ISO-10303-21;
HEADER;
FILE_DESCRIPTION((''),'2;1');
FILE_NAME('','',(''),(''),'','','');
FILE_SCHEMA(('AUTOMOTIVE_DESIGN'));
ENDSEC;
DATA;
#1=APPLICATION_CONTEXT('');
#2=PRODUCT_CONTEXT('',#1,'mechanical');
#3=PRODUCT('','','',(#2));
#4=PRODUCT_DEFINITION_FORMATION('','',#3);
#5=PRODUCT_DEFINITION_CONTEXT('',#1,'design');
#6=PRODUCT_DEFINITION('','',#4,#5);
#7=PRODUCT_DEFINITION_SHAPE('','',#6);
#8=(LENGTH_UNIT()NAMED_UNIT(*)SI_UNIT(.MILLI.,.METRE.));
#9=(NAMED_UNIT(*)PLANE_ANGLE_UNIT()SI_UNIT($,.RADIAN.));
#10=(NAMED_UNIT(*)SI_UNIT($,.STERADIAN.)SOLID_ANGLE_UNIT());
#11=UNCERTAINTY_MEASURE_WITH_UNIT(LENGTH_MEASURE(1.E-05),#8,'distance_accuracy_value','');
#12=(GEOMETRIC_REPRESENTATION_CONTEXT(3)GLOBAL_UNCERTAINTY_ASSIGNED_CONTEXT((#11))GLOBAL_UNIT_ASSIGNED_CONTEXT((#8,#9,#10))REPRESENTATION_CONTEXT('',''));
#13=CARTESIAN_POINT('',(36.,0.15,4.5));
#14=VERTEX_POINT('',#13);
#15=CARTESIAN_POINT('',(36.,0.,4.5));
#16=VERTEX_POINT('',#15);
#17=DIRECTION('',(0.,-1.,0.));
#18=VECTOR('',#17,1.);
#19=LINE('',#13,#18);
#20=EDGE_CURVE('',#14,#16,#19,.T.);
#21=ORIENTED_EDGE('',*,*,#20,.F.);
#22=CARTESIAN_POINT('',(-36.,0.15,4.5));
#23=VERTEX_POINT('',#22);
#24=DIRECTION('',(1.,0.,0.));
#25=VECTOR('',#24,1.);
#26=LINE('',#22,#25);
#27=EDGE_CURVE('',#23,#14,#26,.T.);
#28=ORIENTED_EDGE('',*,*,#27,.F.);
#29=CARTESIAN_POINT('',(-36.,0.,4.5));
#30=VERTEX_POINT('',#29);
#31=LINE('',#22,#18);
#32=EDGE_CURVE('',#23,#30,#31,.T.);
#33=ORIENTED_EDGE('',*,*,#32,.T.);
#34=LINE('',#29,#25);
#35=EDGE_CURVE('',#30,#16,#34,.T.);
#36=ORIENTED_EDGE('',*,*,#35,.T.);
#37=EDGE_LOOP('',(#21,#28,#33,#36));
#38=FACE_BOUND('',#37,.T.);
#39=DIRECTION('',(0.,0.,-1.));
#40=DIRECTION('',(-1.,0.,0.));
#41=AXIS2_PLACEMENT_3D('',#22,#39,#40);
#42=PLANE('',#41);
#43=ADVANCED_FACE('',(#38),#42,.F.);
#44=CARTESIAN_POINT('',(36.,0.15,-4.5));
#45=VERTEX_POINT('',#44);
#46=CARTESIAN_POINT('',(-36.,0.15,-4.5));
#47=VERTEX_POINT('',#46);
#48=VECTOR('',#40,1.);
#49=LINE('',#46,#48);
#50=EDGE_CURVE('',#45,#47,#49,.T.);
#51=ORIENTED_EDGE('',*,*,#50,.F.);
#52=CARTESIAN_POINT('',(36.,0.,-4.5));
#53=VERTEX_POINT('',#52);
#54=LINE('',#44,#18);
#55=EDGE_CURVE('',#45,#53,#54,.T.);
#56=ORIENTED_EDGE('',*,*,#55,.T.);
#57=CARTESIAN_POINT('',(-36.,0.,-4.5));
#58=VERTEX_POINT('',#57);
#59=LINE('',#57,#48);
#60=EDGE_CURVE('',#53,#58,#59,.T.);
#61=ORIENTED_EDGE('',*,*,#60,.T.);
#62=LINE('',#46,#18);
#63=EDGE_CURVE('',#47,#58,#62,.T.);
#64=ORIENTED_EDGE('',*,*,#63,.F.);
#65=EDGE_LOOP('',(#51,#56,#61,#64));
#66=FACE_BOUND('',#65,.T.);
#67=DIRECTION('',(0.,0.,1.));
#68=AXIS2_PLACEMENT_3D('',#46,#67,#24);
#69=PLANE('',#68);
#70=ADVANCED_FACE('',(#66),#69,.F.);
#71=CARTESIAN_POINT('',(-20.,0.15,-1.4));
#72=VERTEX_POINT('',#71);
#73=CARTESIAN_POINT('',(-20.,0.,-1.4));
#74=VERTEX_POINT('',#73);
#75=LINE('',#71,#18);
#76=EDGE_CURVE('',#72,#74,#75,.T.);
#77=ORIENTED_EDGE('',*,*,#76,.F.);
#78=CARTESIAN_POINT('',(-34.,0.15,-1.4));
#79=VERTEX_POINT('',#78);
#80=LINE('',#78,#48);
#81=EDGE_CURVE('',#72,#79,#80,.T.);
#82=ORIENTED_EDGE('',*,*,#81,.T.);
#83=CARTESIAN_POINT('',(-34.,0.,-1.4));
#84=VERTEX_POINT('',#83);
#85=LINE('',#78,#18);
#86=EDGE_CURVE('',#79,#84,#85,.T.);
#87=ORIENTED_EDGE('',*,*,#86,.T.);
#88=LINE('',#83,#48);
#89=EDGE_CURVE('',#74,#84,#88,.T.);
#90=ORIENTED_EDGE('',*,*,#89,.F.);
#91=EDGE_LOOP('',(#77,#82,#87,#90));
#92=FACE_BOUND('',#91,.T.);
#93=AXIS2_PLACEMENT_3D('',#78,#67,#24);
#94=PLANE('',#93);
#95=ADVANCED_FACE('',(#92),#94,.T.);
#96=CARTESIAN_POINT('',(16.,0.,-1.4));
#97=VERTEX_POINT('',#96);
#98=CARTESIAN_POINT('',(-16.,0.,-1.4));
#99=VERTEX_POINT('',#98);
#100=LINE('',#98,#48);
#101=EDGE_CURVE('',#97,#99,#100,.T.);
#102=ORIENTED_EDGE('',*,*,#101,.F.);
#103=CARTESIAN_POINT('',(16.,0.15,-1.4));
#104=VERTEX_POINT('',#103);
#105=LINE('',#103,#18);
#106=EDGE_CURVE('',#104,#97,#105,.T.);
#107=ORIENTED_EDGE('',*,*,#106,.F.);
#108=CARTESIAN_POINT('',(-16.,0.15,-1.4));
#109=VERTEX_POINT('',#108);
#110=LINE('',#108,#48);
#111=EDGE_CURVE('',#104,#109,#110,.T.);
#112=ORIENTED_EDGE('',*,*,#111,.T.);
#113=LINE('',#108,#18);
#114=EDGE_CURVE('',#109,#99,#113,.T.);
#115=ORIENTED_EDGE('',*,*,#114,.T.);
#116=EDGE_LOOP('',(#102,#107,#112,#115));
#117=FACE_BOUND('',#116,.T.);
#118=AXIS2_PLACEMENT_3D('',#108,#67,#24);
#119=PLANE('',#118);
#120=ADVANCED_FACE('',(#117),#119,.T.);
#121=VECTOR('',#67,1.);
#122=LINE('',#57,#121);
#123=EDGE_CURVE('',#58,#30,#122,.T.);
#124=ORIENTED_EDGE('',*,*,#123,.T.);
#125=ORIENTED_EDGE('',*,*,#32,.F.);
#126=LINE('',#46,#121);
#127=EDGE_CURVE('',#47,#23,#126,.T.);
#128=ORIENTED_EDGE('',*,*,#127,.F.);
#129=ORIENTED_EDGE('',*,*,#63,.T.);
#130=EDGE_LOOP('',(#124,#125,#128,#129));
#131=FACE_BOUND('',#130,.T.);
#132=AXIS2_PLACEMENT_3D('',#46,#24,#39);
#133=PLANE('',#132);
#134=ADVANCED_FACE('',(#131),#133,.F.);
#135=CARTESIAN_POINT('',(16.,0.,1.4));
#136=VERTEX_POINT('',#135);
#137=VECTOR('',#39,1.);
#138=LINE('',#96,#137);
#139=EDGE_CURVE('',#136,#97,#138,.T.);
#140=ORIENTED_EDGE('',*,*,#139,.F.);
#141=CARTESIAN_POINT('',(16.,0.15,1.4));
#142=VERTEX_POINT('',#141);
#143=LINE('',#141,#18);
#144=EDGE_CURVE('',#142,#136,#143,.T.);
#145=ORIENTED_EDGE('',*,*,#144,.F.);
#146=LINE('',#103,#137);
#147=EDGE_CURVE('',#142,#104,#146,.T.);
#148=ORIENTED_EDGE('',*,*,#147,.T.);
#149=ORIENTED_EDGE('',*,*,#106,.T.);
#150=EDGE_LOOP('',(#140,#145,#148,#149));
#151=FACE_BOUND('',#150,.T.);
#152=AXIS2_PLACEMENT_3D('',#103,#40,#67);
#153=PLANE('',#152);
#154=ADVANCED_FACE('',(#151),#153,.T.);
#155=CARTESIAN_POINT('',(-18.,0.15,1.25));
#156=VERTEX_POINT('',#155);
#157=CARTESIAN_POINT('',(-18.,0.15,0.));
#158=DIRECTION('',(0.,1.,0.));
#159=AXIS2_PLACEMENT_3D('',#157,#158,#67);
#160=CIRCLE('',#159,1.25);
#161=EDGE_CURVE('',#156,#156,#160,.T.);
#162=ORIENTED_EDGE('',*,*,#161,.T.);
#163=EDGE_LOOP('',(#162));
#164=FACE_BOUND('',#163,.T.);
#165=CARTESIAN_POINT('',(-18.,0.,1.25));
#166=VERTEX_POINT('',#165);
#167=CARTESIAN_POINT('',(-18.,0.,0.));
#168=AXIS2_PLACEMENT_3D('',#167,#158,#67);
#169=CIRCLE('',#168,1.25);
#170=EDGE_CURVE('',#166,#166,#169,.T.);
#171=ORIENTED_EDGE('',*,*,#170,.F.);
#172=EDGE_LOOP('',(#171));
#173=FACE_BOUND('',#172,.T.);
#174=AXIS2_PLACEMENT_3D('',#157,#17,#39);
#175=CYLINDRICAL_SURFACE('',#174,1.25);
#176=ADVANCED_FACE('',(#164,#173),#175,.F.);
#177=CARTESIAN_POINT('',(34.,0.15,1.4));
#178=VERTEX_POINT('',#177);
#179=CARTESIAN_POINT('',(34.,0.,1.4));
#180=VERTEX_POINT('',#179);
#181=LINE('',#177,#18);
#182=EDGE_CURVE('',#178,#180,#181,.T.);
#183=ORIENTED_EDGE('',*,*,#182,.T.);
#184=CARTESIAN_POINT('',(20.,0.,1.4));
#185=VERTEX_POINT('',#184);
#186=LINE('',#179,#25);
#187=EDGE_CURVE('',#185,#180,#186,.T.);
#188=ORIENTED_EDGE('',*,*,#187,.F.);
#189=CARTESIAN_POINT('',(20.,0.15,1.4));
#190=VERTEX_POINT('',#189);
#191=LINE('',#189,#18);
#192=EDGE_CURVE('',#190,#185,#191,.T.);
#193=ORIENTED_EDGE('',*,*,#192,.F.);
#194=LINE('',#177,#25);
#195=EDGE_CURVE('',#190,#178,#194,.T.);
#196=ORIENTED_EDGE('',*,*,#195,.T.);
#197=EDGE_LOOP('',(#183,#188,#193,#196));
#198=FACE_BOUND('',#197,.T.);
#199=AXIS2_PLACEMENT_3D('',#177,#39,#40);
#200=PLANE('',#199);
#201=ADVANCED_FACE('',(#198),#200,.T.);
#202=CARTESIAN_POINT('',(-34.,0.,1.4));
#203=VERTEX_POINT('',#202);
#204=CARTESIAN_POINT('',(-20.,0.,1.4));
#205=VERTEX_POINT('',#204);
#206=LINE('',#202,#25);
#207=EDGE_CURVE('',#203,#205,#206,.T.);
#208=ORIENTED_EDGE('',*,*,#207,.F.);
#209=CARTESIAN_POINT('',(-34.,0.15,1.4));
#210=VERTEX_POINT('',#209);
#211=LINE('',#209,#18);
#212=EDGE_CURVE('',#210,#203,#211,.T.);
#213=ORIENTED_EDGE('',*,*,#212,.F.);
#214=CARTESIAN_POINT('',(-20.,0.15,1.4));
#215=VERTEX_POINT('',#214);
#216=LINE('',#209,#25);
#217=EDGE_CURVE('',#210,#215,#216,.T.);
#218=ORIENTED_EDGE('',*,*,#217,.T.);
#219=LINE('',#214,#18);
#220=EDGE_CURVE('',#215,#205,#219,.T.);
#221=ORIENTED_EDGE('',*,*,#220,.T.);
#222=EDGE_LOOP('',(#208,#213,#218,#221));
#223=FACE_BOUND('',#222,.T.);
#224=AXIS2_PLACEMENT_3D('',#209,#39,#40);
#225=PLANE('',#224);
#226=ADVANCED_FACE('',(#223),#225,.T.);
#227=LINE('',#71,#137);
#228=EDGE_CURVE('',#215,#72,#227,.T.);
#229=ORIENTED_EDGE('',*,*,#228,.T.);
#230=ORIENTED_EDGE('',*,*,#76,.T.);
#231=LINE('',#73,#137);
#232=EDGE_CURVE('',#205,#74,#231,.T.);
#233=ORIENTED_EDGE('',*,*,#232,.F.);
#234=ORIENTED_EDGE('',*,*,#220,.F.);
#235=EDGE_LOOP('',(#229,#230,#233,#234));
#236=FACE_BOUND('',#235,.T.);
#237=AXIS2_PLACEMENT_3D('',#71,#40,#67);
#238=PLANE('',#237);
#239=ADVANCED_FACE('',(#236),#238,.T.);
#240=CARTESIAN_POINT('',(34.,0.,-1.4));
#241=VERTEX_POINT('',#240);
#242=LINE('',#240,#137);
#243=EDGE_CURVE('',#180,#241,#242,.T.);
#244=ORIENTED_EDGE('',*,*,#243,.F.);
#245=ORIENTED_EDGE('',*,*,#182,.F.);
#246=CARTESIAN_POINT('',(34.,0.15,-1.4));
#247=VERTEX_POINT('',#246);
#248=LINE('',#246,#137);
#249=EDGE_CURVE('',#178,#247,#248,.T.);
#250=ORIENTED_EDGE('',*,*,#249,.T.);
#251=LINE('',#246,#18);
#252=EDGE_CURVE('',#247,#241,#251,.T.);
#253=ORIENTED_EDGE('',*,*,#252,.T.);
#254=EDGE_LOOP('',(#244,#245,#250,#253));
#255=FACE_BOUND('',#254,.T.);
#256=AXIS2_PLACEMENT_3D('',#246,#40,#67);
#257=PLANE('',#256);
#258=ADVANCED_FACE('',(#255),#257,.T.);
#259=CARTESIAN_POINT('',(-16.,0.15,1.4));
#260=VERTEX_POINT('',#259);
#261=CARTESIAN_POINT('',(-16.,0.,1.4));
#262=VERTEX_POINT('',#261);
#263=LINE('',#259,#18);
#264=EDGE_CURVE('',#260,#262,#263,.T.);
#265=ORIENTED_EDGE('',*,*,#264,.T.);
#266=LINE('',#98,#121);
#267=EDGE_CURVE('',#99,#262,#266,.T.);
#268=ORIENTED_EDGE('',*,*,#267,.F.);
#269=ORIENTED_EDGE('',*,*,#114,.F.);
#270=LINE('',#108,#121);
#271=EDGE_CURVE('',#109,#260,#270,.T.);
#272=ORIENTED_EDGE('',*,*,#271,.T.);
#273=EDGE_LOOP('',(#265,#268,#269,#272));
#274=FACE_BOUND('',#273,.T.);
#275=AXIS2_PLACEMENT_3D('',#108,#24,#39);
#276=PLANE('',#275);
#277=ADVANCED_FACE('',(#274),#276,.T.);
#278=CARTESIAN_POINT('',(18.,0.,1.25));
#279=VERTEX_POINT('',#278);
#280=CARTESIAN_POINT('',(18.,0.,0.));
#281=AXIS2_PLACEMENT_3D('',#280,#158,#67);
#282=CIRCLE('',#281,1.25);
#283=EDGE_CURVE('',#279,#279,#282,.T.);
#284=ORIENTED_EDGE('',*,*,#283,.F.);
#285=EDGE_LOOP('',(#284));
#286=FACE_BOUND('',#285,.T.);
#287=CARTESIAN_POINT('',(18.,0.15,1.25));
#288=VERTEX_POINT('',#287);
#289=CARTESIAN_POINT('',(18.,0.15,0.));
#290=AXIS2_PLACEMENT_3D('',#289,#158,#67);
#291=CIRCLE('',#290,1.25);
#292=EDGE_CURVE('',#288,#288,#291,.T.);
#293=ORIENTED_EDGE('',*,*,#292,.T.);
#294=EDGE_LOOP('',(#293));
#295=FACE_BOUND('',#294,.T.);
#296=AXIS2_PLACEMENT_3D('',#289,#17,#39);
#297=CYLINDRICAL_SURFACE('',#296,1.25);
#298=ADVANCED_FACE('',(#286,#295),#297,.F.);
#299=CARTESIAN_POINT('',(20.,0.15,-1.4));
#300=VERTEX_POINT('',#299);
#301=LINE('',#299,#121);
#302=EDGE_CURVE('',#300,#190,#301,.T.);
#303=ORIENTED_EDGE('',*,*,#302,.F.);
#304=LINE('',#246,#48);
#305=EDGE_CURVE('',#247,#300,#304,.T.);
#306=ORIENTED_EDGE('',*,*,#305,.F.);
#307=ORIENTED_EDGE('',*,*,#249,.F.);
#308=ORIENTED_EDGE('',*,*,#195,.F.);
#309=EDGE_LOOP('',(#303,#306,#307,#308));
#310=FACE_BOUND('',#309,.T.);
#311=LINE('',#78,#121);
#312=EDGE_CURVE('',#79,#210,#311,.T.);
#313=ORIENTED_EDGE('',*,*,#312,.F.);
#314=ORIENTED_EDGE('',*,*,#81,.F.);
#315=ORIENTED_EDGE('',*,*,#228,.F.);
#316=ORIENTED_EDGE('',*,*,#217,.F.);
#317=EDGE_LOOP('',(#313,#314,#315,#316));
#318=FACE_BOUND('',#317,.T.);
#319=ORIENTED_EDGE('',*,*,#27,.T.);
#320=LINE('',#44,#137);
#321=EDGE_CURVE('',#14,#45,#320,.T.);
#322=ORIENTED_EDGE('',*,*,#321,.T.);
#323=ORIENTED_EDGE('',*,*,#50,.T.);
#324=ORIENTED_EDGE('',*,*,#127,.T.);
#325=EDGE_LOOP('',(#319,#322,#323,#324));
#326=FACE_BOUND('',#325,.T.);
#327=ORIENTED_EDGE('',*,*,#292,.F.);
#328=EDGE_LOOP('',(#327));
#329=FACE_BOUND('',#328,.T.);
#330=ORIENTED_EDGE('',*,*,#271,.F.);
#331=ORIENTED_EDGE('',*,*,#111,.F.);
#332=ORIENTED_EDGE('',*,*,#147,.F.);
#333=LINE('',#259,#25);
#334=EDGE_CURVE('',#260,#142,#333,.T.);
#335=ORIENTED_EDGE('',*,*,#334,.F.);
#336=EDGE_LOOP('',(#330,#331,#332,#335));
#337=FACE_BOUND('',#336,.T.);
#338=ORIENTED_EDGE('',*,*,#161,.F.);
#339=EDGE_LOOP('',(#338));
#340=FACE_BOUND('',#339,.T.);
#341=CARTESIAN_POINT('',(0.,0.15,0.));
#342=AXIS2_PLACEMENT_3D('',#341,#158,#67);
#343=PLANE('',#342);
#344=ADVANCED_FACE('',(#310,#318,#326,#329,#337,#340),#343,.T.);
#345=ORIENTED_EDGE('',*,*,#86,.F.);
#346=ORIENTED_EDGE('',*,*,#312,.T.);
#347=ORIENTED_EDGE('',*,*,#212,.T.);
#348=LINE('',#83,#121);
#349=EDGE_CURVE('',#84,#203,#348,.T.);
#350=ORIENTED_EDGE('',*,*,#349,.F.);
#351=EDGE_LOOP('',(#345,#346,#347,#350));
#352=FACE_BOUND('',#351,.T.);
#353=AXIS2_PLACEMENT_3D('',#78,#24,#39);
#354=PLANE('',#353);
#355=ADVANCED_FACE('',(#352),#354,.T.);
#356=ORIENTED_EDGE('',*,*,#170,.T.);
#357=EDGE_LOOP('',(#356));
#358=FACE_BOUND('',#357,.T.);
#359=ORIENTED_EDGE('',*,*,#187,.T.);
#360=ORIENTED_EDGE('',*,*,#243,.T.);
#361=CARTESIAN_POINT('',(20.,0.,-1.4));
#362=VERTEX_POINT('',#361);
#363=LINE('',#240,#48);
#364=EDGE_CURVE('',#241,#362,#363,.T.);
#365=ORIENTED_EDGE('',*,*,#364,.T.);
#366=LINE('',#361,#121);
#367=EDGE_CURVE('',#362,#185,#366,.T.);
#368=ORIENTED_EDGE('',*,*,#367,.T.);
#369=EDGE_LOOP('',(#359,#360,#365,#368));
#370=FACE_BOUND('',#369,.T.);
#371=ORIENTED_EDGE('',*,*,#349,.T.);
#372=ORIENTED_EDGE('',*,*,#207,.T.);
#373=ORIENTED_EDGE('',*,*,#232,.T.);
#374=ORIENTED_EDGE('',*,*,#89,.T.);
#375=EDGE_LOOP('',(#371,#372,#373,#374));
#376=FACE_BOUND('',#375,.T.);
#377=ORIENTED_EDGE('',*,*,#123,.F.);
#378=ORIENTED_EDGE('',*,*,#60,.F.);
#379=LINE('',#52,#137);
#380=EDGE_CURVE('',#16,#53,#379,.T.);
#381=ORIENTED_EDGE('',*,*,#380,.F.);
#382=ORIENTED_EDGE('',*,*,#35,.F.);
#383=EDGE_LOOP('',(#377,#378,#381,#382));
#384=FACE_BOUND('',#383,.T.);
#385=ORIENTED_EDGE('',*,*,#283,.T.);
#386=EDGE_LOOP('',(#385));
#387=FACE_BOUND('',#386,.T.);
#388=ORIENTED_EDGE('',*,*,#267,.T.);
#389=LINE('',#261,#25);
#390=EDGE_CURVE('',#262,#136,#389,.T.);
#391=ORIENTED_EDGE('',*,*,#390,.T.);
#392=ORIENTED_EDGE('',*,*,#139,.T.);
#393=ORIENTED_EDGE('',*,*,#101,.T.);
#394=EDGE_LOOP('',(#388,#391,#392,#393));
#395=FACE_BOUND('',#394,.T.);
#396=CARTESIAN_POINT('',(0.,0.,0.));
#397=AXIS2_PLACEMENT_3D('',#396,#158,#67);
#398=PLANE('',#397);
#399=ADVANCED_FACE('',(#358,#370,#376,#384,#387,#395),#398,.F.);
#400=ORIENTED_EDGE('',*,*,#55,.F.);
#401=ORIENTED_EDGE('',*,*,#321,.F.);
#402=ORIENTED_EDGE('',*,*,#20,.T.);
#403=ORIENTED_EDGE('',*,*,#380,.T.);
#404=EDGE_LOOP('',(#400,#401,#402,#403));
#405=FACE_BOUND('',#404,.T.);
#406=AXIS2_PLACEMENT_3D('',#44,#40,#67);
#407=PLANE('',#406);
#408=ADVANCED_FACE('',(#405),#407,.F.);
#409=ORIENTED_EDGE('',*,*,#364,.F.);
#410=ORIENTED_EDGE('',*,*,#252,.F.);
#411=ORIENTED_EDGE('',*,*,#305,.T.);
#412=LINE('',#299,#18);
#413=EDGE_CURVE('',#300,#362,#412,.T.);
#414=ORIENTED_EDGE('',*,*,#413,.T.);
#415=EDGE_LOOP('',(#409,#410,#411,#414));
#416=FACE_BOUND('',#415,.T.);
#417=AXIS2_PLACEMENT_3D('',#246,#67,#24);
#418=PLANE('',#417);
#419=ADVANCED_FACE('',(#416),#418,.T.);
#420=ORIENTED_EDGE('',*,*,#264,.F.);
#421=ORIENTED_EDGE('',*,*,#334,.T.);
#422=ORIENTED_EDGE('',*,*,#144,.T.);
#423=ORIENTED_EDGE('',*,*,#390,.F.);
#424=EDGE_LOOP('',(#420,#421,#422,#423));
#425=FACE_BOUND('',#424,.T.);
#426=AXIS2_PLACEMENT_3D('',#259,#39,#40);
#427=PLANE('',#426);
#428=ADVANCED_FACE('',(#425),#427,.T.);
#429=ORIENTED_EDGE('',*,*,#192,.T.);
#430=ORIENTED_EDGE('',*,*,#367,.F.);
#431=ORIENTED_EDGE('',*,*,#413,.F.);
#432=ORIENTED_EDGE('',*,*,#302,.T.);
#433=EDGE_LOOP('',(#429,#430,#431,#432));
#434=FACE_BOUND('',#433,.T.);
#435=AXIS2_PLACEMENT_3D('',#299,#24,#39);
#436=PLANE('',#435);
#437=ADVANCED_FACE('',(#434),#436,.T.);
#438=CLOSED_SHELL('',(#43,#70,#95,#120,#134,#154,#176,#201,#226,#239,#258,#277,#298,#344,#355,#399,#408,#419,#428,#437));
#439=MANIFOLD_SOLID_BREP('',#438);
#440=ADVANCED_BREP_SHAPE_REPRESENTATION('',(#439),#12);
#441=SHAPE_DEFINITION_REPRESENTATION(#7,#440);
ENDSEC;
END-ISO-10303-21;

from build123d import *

# Parameters (mm, degrees)
SKETCH1_W           = 72
SKETCH1_H           = 9
SKETCH1_R           = 1.25
SKETCH1_W_2         = 14
SKETCH1_H_2         = 2.8
SKETCH1_W_3         = 32
BOSS_EXTRUDE1_DEPTH = 0.15


with BuildPart() as part:
    # Sketch1 → Boss-Extrude1 (new body)
    with BuildSketch(Plane(origin=(0, 0, 0), x_dir=(1, 0, 0), z_dir=(0, 1, 0))):
        Rectangle(SKETCH1_W, SKETCH1_H)
        with Locations(Location((-18, 0, 0), (0, 0, 270))):
            Circle(SKETCH1_R, mode=Mode.SUBTRACT)
        with Locations(Location((18, 0, 0), (0, 0, 270))):
            Circle(SKETCH1_R, mode=Mode.SUBTRACT)
        with Locations((27, 0)):
            Rectangle(SKETCH1_W_2, SKETCH1_H_2, mode=Mode.SUBTRACT)
        Rectangle(SKETCH1_W_3, SKETCH1_H_2, mode=Mode.SUBTRACT)
        with Locations((-27, 0)):
            Rectangle(SKETCH1_W_2, SKETCH1_H_2, mode=Mode.SUBTRACT)
    extrude(amount=BOSS_EXTRUDE1_DEPTH)


solid = part.part
